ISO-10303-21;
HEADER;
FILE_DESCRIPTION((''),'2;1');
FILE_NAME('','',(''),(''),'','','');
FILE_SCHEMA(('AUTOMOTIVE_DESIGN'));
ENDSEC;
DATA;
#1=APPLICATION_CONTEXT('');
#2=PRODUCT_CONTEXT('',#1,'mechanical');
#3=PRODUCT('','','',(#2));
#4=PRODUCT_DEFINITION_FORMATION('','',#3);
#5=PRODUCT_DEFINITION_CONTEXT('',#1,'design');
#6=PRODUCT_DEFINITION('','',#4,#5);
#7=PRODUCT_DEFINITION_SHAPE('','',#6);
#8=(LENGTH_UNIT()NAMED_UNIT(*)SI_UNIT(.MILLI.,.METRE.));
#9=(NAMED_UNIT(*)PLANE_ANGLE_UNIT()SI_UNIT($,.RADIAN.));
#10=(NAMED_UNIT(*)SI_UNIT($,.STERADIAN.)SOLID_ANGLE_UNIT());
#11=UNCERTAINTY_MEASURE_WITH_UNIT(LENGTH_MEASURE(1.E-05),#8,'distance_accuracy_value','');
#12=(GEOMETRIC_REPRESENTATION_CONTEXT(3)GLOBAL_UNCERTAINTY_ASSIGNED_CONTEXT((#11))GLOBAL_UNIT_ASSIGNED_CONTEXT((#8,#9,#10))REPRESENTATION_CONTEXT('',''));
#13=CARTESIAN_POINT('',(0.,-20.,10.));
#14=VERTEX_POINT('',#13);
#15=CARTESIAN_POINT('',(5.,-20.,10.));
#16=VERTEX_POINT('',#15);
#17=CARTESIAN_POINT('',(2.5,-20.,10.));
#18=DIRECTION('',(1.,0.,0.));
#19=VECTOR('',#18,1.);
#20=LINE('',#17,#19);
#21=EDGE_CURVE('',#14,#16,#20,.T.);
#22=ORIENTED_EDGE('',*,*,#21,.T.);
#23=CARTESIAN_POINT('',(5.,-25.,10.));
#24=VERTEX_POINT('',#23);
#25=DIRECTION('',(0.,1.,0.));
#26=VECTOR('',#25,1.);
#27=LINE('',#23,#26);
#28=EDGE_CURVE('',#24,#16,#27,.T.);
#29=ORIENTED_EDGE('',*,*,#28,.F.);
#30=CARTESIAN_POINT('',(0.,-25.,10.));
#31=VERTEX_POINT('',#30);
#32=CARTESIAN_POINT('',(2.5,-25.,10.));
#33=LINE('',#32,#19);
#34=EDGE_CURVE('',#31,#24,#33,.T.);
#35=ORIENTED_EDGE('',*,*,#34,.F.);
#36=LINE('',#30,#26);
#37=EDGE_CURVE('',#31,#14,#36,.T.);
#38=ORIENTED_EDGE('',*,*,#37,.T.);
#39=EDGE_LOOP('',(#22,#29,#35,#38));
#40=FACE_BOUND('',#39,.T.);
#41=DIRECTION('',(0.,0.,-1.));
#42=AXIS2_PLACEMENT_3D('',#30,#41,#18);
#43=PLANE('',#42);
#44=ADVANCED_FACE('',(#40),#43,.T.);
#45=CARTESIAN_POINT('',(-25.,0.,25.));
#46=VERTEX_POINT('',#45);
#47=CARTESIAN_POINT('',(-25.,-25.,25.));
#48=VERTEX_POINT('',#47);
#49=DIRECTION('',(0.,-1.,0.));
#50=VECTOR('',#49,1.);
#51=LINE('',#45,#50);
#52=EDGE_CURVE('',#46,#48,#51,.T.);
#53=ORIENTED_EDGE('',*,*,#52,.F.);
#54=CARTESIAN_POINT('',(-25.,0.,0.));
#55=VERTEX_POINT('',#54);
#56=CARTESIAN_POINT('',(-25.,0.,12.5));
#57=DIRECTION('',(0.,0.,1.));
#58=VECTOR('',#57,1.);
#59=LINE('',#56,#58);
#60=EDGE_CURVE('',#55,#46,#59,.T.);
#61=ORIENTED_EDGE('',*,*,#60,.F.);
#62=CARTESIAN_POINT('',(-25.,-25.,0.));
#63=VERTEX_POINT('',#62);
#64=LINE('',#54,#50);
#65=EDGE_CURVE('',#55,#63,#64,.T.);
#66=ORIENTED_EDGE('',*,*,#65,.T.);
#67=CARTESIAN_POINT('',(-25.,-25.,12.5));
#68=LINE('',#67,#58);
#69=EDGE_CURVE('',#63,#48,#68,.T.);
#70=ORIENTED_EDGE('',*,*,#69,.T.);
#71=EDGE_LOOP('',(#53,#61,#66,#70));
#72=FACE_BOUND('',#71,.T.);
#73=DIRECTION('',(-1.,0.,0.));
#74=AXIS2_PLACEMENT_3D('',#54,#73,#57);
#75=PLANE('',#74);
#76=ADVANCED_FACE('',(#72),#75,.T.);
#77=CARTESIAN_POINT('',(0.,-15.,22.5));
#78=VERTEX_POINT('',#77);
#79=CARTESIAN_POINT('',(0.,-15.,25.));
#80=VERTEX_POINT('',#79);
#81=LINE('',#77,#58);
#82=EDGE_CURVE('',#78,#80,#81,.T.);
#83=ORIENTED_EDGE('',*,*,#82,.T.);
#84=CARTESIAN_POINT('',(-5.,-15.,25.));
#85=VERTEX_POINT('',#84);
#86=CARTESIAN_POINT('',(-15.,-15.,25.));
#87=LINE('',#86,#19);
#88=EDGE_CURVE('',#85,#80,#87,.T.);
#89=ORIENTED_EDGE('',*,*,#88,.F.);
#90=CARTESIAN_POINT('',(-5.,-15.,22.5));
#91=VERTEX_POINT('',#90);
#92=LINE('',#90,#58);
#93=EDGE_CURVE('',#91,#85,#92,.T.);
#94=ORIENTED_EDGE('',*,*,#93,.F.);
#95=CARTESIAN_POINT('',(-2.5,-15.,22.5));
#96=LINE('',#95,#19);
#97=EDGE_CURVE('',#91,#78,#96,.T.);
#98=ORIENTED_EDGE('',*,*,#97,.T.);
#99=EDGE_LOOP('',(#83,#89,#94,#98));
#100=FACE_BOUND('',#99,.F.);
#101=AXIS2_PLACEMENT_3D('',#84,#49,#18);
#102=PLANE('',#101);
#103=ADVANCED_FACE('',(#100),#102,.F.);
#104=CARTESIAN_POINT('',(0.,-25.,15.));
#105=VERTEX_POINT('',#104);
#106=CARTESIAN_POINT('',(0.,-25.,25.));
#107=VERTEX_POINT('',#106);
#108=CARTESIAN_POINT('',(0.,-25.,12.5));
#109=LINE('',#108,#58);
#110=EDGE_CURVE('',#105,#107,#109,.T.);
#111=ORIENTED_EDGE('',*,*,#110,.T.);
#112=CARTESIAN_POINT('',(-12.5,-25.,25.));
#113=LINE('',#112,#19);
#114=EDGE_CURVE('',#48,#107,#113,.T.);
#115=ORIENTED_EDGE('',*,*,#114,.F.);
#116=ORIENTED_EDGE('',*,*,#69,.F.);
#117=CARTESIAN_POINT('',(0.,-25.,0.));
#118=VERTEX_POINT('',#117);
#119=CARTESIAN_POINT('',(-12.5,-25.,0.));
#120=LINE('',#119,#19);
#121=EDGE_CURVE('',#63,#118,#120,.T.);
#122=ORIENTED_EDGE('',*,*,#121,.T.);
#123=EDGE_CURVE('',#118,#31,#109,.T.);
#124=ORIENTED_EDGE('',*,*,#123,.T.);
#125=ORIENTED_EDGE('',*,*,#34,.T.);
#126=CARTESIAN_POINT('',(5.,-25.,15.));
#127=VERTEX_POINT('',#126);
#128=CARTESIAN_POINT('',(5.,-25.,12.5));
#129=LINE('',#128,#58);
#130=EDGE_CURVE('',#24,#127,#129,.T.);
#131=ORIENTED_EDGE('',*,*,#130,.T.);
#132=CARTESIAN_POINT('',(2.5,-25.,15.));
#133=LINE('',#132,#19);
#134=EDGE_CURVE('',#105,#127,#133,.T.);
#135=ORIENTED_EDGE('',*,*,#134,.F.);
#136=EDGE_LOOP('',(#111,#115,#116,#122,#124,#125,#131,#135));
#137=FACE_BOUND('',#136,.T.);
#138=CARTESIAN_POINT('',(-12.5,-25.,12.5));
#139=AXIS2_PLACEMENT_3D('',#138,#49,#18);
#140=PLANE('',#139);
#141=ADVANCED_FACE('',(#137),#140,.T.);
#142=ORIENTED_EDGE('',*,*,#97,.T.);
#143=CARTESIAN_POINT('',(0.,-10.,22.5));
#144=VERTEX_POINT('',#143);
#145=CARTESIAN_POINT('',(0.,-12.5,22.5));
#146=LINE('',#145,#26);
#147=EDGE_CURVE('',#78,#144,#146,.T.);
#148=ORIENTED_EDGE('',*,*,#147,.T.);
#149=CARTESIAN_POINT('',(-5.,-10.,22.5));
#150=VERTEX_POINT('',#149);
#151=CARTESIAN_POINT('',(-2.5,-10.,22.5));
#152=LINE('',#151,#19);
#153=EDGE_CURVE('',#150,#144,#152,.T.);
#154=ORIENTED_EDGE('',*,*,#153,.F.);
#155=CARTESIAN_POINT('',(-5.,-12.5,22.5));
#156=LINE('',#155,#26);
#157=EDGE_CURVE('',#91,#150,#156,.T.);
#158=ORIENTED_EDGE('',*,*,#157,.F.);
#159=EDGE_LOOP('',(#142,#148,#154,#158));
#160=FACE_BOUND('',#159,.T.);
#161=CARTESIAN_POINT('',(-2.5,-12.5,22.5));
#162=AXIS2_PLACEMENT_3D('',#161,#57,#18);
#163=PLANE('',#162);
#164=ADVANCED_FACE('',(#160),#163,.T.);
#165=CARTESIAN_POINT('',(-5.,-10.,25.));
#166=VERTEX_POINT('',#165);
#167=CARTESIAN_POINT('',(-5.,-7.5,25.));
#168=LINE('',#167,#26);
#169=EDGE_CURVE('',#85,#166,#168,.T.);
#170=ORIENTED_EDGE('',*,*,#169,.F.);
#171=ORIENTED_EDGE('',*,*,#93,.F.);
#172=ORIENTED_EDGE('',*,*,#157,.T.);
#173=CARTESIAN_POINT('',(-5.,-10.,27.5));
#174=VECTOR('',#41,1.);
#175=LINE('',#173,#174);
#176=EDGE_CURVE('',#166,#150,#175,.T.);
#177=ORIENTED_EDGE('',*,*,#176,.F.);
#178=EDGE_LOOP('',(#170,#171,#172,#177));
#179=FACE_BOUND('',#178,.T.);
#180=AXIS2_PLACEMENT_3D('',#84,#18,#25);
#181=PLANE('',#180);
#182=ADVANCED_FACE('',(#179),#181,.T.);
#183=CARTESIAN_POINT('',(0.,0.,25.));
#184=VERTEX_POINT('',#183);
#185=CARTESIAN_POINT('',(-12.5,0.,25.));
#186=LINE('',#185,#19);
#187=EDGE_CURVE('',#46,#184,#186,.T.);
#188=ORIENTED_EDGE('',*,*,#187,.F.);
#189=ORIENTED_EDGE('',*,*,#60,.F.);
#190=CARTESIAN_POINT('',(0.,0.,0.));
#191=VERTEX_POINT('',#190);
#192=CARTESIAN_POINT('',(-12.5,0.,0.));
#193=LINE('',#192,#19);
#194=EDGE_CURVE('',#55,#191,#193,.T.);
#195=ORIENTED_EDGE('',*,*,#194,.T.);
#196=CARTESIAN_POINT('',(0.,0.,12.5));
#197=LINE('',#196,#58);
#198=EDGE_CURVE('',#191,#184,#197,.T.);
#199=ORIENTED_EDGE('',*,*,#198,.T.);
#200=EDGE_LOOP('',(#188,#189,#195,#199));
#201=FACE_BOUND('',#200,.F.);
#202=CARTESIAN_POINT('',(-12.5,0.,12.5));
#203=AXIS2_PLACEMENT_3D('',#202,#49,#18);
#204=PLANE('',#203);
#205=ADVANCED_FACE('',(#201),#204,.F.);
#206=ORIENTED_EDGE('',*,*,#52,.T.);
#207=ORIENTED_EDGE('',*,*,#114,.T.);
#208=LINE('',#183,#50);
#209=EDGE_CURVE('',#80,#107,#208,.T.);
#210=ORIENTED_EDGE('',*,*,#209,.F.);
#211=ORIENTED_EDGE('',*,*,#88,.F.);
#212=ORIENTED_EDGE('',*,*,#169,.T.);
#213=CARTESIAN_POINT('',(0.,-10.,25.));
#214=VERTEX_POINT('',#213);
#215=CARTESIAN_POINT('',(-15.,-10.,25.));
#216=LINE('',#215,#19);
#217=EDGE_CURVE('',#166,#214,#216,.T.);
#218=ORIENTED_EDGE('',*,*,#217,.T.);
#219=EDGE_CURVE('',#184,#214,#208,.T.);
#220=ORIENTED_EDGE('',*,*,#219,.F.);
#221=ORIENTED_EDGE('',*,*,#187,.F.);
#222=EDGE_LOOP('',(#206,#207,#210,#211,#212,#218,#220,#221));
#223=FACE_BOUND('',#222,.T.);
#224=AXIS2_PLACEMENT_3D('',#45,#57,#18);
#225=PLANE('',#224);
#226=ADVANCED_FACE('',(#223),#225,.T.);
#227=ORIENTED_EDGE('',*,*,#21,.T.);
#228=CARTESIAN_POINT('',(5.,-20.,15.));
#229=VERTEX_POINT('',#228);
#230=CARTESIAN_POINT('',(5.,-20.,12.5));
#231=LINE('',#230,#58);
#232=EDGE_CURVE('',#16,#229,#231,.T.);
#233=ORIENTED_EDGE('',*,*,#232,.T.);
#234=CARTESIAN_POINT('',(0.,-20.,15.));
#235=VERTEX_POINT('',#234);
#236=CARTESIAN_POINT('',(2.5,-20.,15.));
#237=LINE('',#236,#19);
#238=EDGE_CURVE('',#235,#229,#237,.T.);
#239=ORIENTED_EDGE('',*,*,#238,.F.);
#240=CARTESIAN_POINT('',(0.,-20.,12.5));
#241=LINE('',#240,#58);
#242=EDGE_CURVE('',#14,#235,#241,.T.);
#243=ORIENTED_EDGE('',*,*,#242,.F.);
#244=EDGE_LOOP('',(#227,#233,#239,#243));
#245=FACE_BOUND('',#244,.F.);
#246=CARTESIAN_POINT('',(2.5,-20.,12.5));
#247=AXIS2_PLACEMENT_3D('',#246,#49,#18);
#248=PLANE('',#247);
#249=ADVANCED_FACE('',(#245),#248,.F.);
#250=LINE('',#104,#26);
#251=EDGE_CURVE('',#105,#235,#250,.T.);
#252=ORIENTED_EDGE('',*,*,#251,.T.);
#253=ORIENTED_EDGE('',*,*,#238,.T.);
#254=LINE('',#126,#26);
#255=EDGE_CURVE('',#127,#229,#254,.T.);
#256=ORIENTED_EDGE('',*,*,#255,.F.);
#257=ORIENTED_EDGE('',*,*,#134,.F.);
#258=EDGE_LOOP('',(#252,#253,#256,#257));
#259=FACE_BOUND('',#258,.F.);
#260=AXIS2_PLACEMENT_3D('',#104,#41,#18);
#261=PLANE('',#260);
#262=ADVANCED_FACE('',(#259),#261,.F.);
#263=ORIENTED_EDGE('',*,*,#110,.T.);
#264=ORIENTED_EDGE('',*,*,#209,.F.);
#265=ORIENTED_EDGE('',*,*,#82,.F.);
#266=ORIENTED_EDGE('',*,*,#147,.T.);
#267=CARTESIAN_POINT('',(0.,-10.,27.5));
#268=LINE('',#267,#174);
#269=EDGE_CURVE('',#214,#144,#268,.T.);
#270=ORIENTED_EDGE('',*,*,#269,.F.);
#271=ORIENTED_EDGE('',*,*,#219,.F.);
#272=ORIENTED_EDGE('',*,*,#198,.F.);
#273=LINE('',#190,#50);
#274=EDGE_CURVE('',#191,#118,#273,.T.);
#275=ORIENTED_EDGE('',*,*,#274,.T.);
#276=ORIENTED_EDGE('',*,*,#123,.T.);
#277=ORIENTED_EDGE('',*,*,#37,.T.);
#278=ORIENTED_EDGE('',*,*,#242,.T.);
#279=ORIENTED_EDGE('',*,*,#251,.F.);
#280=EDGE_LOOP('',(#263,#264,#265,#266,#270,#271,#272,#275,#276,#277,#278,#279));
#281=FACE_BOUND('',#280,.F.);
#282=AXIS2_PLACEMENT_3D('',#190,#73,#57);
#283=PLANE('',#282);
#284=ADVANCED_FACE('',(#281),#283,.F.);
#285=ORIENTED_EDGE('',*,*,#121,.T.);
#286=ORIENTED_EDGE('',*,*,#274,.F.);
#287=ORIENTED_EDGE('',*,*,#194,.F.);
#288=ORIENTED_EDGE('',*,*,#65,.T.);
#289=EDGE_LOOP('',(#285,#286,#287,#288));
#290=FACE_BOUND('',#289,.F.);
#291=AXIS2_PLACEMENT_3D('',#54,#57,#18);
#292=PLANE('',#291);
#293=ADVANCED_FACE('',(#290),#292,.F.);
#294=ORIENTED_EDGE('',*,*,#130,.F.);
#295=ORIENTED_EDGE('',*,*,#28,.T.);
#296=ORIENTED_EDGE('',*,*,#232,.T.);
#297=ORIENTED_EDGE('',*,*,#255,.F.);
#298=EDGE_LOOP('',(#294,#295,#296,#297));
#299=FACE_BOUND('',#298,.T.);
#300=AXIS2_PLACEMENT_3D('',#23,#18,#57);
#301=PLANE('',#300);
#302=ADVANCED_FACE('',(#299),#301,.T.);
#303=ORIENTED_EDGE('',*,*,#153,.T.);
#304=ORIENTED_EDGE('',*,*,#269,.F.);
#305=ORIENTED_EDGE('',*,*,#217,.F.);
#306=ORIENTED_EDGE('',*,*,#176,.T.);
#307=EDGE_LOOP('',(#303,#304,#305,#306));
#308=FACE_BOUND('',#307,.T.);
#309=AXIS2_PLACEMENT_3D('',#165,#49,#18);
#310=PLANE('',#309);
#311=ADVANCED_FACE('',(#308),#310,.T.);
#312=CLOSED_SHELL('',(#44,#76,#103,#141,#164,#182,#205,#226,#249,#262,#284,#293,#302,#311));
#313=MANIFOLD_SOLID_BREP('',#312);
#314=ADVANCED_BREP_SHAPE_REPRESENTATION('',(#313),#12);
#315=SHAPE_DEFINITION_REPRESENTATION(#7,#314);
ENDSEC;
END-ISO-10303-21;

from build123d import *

# Parameters (mm, degrees)
F0_W     = 25
F0_H     = 25
F1_DEPTH = 25
F2_W     = 5
F2_H     = 5
F4_DEPTH = 5
F3_W     = 5
F3_H     = 5
F5_DEPTH = 2.5


with BuildPart() as f1:
    # F0 (on Front) → F1 (new body)
    with BuildSketch(Plane.XZ):
        with Locations((-12.5, 12.5)):
            Rectangle(F0_W, F0_H)
    extrude(amount=F1_DEPTH)

    # F2 (on face) → F4 (join)
    with BuildSketch(Plane.XZ.offset(25)):
        with Locations((2.5, 12.5)):
            Rectangle(F2_W, F2_H)
    extrude(amount=-F4_DEPTH)

    # F3 (on face) → F5 (cut, symmetric)
    with BuildSketch(Plane.XY.offset(25)):
        with Locations((-2.5, -12.5)):
            Rectangle(F3_W, F3_H)
    extrude(amount=F5_DEPTH, both=True, mode=Mode.SUBTRACT)


solid = f1.part
